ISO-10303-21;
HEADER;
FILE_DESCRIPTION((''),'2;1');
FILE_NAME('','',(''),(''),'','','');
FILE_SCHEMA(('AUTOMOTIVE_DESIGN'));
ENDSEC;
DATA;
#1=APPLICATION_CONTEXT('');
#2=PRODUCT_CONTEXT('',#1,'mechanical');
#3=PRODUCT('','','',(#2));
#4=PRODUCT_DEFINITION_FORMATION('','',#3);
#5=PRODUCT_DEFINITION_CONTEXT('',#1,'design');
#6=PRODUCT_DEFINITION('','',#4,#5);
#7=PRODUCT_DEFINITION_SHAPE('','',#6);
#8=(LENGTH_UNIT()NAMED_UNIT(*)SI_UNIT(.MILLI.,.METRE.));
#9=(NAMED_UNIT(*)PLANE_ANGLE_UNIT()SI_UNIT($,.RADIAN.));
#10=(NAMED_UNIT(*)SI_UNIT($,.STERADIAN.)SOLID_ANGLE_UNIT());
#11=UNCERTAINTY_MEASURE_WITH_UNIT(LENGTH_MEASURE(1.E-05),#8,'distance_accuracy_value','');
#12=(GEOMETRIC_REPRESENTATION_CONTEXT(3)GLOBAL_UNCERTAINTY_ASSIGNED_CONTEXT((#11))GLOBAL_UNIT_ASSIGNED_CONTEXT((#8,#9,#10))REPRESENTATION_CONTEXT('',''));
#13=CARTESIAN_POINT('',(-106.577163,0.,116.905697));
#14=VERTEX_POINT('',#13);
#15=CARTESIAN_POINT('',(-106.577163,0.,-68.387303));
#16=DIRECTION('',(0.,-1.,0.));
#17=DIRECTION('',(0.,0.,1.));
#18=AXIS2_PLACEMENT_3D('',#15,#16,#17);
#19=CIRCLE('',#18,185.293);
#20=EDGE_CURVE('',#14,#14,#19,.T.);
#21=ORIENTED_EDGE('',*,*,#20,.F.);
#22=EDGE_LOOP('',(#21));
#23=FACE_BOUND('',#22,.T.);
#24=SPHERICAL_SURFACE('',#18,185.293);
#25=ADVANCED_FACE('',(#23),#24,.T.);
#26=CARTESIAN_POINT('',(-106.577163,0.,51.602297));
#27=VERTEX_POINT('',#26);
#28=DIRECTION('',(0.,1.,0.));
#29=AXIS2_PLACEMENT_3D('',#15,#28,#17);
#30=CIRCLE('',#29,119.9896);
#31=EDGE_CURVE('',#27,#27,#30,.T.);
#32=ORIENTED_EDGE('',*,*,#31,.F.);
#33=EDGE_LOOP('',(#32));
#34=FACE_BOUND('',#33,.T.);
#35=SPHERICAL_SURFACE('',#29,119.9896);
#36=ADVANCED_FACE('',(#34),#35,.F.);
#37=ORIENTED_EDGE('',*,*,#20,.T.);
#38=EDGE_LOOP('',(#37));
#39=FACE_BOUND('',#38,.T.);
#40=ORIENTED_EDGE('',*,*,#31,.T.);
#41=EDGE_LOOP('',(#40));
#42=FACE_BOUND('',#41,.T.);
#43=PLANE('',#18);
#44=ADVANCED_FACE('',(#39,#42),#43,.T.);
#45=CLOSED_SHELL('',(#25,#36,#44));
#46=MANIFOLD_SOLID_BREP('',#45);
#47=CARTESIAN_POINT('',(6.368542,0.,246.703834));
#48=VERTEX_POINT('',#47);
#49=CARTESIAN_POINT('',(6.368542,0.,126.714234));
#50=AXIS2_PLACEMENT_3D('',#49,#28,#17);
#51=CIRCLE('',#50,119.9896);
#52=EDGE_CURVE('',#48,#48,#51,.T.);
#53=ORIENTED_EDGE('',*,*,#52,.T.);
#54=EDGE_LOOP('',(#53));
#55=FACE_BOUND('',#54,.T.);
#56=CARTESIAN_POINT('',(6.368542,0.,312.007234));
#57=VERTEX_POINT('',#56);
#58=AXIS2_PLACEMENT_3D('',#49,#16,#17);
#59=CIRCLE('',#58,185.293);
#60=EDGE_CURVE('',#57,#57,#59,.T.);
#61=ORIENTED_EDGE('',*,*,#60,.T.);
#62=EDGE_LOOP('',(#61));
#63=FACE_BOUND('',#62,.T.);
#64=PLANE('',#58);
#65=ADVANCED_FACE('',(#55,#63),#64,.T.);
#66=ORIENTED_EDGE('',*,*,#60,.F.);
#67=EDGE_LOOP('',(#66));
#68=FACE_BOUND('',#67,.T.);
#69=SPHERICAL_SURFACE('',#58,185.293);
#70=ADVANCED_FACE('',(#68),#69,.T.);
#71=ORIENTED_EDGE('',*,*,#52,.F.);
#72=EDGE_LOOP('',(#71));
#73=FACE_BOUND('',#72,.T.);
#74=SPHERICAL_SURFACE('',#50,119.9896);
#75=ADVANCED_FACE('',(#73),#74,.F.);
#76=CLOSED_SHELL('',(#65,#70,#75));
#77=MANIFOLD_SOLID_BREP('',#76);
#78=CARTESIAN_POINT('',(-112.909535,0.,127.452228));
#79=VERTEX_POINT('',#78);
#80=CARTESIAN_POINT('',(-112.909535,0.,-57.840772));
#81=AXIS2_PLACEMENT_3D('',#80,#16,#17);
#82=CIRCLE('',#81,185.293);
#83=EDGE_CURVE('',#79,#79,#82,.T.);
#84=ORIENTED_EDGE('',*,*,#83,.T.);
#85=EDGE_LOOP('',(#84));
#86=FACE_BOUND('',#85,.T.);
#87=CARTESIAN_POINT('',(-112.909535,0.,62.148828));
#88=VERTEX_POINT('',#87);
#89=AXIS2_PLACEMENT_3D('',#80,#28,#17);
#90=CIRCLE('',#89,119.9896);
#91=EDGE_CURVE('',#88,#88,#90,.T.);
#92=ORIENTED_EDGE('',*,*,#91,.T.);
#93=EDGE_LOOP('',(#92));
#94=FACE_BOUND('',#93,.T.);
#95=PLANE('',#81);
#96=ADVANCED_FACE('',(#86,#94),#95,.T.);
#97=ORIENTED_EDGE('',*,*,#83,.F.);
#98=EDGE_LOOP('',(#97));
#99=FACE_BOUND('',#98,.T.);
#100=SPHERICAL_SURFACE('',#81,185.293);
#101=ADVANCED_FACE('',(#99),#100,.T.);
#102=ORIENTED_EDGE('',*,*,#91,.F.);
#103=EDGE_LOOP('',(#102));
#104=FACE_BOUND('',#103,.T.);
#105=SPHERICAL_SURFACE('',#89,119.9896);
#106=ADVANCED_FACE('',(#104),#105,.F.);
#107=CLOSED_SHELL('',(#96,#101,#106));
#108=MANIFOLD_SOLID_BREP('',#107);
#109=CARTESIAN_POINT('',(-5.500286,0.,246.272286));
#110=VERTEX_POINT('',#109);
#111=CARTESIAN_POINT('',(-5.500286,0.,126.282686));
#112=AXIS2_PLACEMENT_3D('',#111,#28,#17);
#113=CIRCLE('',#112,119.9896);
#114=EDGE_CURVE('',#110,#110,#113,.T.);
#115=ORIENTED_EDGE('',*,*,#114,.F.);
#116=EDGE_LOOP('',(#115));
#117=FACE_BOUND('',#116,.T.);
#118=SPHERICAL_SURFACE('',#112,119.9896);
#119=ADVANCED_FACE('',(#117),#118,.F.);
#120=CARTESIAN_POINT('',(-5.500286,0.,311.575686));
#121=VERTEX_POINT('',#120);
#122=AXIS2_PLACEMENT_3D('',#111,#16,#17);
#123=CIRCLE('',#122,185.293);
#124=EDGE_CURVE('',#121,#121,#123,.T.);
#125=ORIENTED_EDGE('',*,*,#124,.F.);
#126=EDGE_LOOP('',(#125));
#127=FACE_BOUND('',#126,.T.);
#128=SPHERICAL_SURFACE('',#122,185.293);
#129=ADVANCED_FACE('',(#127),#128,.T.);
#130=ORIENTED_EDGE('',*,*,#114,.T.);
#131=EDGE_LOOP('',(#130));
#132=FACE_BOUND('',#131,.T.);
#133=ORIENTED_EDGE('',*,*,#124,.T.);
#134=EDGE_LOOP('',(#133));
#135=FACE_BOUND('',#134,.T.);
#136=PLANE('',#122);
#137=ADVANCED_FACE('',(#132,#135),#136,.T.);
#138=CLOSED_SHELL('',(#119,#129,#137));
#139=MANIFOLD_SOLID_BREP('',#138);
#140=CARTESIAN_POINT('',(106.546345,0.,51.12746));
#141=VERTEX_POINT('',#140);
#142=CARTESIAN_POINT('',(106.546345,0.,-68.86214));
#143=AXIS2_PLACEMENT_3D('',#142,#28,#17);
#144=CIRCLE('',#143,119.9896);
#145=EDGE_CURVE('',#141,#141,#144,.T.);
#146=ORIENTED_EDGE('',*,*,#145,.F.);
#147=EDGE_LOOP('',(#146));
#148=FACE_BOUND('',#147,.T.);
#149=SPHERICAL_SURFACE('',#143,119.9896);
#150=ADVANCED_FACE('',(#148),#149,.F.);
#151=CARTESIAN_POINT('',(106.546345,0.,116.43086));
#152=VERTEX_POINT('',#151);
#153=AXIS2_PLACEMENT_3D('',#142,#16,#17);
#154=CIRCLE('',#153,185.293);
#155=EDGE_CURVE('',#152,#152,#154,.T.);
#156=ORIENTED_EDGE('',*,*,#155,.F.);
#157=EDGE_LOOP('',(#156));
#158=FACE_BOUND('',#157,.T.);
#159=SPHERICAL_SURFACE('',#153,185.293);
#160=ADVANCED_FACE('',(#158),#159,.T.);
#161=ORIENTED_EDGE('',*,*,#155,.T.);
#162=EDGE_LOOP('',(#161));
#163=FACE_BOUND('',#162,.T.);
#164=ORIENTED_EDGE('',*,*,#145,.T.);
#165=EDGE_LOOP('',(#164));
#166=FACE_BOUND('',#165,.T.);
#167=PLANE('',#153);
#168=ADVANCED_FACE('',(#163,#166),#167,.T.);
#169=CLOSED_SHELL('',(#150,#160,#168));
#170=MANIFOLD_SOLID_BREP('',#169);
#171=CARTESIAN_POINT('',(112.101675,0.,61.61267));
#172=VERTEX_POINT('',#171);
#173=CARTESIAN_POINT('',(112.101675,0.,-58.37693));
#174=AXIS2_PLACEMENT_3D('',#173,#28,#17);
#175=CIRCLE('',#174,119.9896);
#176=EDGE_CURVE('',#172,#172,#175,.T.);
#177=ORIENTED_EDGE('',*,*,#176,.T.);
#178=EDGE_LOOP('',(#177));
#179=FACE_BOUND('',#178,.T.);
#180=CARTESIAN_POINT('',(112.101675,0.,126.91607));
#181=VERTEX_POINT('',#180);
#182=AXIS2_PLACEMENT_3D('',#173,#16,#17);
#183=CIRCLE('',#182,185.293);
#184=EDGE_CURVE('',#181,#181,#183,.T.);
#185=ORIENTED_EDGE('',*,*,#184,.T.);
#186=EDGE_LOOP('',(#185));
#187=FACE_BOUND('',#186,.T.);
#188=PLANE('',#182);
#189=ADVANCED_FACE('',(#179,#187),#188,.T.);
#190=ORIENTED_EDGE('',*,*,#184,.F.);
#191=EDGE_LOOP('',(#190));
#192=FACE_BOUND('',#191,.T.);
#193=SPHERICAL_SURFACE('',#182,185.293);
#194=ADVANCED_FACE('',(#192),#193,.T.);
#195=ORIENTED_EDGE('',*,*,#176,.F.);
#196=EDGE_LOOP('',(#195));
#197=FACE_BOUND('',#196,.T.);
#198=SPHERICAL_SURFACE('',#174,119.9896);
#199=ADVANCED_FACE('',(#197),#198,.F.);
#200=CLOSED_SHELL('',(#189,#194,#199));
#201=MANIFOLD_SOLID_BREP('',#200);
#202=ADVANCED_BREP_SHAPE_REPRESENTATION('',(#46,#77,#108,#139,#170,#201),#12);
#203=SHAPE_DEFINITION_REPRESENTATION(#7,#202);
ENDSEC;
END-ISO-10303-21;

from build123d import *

# Parameters (mm, degrees)
LEG_1_REVOLVE_ANGLE = 180
LEG_2_REVOLVE_ANGLE = 180
LEG_3_REVOLVE_ANGLE = 180
LEG_4_REVOLVE_ANGLE = 180
LEG_5_REVOLVE_ANGLE = 180
LEG_6_REVOLVE_ANGLE = 180


with BuildPart() as part:
    # Sketch9 → leg 1 revolve (revolve)
    with BuildSketch(Plane(origin=(0, 0, 0), x_dir=(1, 0, 0), z_dir=(0, 1, 0))):
        with BuildLine():
            Line((-106.577162594, 188.376902507), (-106.577162594, 253.680302507))
            ThreePointArc((-106.577162594, 253.680302507), (78.715837406, 68.387302507), (-106.577162594, -116.905697493))
            Line((-106.577162594, -116.905697493), (-106.577162594, -51.602297493))
            ThreePointArc((-106.577162594, -51.602297493), (13.412437406, 68.387302507), (-106.577162594, 188.376902507))
        make_face()
    revolve(axis=Axis((-106.577162594, 0, -68.387302507), (0, 0, 1)), revolution_arc=LEG_1_REVOLVE_ANGLE)


with BuildPart() as body_2:
    # Sketch11 → leg 2 revolve (revolve)
    with BuildSketch(Plane(origin=(0, 0, 0), x_dir=(1, 0, 0), z_dir=(0, 1, 0))):
        with BuildLine():
            Line((106.546345162, 188.851739796), (106.546345162, 254.155139796))
            ThreePointArc((106.546345162, 254.155139796), (291.839345162, 68.862139796), (106.546345162, -116.430860204))
            Line((106.546345162, -116.430860204), (106.546345162, -51.127460204))
            ThreePointArc((106.546345162, -51.127460204), (226.535945162, 68.862139796), (106.546345162, 188.851739796))
        make_face()
    revolve(axis=Axis((106.546345162, 0, -68.862139796), (0, 0, 1)), revolution_arc=LEG_2_REVOLVE_ANGLE)


with BuildPart() as body_3:
    # Sketch14 → leg 3 revolve (revolve)
    with BuildSketch(Plane(origin=(0, 0, 0), x_dir=(1, 0, 0), z_dir=(0, 1, 0))):
        with BuildLine():
            Line((-5.500285777, -6.29308564), (-5.500285777, 59.01031436))
            ThreePointArc((-5.500285777, 59.01031436), (179.792714223, -126.28268564), (-5.500285777, -311.57568564))
            Line((-5.500285777, -311.57568564), (-5.500285777, -246.27228564))
            ThreePointArc((-5.500285777, -246.27228564), (114.489314223, -126.28268564), (-5.500285777, -6.29308564))
        make_face()
    revolve(axis=Axis((-5.500285777, 0, 126.28268564), (0, 0, 1)), revolution_arc=LEG_3_REVOLVE_ANGLE)


with BuildPart() as body_4:
    # Sketch15 → leg 4 revolve (revolve)
    with BuildSketch(Plane(origin=(0, 0, 0), x_dir=(1, 0, 0), z_dir=(0, 1, 0))):
        with BuildLine():
            Line((-112.909535003, 177.830371692), (-112.909535003, 243.133771692))
            ThreePointArc((-112.909535003, 243.133771692), (72.383464997, 57.840771692), (-112.909535003, -127.452228308))
            Line((-112.909535003, -127.452228308), (-112.909535003, -62.148828308))
            ThreePointArc((-112.909535003, -62.148828308), (7.080064997, 57.840771692), (-112.909535003, 177.830371692))
        make_face()
    revolve(axis=Axis((-112.909535003, 0, -57.840771692), (0, 0, 1)), revolution_arc=LEG_4_REVOLVE_ANGLE)


with BuildPart() as body_5:
    # Sketch16 → leg 5 revolve (revolve)
    with BuildSketch(Plane(origin=(0, 0, 0), x_dir=(1, 0, 0), z_dir=(0, 1, 0))):
        with BuildLine():
            Line((112.101675168, 178.366529987), (112.101675168, 243.669929987))
            ThreePointArc((112.101675168, 243.669929987), (297.394675168, 58.376929987), (112.101675168, -126.916070013))
            Line((112.101675168, -126.916070013), (112.101675168, -61.612670013))
            ThreePointArc((112.101675168, -61.612670013), (232.091275168, 58.376929987), (112.101675168, 178.366529987))
        make_face()
    revolve(axis=Axis((112.101675168, 0, -58.376929987), (0, 0, 1)), revolution_arc=LEG_5_REVOLVE_ANGLE)


with BuildPart() as body_6:
    # Sketch12 → leg 6 revolve (revolve)
    with BuildSketch(Plane(origin=(0, 0, 0), x_dir=(1, 0, 0), z_dir=(0, 1, 0))):
        with BuildLine():
            Line((6.368542399, -6.724633632), (6.368542399, 58.578766368))
            ThreePointArc((6.368542399, 58.578766368), (191.661542399, -126.714233632), (6.368542399, -312.007233632))
            Line((6.368542399, -312.007233632), (6.368542399, -246.703833632))
            ThreePointArc((6.368542399, -246.703833632), (126.358142399, -126.714233632), (6.368542399, -6.724633632))
        make_face()
    revolve(axis=Axis((6.368542399, 0, 126.714233632), (0, 0, 1)), revolution_arc=LEG_6_REVOLVE_ANGLE)


solid = Compound([part.part, body_2.part, body_3.part, body_4.part, body_5.part, body_6.part])
